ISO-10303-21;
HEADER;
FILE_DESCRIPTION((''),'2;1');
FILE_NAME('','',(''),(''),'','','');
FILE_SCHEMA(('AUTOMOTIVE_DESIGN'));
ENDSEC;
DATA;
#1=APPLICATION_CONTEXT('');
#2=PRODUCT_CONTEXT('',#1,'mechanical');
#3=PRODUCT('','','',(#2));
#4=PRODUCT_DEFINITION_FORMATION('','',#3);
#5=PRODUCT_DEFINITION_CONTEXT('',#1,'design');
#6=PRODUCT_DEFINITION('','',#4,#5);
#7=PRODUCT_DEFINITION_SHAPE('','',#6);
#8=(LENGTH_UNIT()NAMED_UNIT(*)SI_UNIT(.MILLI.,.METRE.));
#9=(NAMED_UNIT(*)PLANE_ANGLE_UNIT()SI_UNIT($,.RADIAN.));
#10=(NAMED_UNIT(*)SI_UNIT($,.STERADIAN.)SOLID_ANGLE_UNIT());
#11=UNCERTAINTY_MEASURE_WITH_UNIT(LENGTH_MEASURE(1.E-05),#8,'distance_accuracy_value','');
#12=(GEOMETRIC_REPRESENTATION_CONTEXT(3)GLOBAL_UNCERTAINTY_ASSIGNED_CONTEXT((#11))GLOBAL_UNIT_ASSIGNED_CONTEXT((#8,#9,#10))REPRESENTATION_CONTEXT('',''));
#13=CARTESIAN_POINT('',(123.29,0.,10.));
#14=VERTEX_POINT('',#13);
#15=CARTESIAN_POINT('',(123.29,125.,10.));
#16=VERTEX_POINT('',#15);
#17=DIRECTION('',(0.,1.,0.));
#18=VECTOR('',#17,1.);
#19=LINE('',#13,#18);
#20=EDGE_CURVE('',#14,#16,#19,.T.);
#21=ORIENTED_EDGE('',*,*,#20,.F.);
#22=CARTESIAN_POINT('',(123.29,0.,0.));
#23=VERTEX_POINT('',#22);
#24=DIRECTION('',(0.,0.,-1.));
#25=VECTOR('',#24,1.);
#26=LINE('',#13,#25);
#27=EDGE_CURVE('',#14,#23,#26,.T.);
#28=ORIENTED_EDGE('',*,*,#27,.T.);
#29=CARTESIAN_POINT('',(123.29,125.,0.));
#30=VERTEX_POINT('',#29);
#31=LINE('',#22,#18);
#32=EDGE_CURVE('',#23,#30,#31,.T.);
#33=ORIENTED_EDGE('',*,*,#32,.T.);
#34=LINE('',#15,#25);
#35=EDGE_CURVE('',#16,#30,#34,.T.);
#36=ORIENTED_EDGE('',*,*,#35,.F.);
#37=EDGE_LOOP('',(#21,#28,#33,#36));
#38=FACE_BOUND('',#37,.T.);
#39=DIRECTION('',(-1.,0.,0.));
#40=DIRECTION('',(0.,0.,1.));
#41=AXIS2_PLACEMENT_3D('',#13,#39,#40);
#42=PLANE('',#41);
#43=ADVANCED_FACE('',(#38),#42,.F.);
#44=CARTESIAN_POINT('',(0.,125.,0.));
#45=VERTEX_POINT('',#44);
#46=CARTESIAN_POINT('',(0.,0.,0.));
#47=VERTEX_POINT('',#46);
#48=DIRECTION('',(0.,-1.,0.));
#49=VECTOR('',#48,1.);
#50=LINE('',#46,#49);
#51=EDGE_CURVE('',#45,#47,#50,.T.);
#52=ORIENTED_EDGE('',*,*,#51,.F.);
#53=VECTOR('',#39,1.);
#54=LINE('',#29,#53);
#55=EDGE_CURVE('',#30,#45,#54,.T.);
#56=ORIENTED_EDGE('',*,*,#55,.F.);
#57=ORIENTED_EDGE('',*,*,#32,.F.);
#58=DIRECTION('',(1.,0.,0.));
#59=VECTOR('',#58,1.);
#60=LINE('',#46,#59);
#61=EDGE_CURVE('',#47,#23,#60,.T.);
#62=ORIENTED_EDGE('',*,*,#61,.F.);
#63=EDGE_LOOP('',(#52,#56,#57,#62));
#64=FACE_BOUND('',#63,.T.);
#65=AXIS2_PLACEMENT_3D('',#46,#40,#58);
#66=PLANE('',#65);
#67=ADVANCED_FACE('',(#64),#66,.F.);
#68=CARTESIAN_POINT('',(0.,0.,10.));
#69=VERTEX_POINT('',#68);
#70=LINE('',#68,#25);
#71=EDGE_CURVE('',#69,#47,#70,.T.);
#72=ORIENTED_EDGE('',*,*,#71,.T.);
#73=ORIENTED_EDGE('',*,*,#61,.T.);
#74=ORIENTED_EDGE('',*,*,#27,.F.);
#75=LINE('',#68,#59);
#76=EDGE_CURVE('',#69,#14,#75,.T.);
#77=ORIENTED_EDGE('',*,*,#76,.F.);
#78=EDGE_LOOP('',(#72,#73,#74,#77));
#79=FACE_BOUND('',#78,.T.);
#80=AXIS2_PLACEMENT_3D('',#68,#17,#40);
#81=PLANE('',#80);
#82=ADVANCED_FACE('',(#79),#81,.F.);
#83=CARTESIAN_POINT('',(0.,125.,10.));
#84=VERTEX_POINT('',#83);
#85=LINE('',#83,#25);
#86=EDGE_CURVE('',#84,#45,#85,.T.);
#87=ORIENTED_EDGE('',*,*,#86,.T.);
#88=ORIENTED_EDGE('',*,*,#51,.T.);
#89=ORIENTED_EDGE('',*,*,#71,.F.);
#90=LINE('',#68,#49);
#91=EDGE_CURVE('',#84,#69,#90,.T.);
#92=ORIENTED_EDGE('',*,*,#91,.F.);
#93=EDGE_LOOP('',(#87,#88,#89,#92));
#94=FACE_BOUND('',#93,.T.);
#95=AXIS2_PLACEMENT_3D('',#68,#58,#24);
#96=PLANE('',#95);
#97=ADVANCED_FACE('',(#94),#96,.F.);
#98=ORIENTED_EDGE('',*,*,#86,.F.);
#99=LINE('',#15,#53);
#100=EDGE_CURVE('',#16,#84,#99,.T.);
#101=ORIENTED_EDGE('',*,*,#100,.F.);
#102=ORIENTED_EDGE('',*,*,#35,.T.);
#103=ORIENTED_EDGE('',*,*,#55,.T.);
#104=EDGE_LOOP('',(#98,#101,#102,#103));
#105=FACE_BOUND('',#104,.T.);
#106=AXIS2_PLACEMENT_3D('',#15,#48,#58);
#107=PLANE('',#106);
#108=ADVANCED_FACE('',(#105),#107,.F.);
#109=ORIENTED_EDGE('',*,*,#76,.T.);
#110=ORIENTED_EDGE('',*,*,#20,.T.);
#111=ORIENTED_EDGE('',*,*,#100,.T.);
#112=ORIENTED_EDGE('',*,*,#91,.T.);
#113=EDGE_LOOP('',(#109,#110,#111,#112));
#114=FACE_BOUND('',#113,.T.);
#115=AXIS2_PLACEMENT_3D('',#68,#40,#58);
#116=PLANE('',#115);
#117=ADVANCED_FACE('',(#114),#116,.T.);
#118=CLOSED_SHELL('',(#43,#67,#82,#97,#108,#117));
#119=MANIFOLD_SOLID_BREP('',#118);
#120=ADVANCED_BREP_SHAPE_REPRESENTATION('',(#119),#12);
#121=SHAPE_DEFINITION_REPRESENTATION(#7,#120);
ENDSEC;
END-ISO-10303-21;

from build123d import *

# Parameters (mm, degrees)
ESBO_O1_W                = 123.29
ESBO_O1_H                = 125
RESSALTO_EXTRUS_O1_DEPTH = 10


with BuildPart() as part:
    # Esboço1 → Ressalto-extrusão1 (new body)
    with BuildSketch(Plane.XY):
        with Locations((61.645, 62.5)):
            Rectangle(ESBO_O1_W, ESBO_O1_H)
    extrude(amount=RESSALTO_EXTRUS_O1_DEPTH)


solid = part.part
